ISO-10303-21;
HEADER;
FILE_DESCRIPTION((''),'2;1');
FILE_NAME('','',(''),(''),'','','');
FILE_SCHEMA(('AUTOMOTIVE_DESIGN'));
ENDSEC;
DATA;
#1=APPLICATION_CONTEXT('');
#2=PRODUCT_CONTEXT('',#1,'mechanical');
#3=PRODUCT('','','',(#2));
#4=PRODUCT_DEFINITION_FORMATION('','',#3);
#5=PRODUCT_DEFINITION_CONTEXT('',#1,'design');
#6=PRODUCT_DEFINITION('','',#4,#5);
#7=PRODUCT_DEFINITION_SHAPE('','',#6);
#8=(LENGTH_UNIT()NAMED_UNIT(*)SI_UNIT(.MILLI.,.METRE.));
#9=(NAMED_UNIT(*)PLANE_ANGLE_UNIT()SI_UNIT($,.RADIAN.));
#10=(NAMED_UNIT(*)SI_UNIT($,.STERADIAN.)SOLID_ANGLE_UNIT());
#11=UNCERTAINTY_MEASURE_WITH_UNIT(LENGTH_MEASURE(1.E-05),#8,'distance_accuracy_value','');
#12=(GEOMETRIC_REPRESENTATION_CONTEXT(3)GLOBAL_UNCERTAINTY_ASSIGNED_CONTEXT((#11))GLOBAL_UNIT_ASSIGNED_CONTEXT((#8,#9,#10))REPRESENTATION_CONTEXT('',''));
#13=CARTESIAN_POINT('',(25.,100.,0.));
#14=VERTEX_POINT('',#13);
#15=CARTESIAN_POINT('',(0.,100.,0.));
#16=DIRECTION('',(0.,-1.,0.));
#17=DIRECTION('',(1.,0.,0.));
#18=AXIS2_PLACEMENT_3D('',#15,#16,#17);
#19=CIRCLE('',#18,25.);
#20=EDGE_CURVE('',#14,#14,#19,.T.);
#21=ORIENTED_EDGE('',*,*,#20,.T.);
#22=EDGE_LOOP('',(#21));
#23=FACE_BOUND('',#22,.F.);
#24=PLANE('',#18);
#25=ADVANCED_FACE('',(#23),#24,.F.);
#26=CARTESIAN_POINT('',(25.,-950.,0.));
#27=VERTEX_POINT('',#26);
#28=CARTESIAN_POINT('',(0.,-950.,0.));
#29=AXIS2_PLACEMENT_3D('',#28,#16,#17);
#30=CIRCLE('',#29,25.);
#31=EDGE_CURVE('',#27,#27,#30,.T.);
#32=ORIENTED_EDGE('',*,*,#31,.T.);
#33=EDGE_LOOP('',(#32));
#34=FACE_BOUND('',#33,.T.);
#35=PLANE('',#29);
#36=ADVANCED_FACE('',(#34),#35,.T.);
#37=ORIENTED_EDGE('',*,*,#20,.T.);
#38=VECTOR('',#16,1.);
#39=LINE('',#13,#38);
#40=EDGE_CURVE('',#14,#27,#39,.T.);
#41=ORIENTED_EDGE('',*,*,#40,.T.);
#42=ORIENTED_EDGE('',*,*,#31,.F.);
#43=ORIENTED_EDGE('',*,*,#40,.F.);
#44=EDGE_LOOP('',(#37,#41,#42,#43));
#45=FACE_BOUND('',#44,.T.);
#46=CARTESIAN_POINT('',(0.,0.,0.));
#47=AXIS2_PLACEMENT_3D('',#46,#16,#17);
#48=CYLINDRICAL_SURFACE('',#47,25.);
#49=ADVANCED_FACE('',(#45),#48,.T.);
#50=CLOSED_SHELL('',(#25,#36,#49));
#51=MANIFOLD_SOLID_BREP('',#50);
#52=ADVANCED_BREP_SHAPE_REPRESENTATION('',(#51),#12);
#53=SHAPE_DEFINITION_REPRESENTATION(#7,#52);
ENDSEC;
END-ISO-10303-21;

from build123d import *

# Parameters (mm, degrees)
F0_R     = 25
F1_DEPTH = 950
F2_DEPTH = 100


with BuildPart() as f1:
    # F0 (on Front) → F1 (new body)
    with BuildSketch(Plane.XZ):
        Circle(F0_R)
    extrude(amount=F1_DEPTH)

    # F0 (on Front) → F2 (join)
    with BuildSketch(Plane.XZ):
        Circle(F0_R)
    extrude(amount=-F2_DEPTH)


solid = f1.part
